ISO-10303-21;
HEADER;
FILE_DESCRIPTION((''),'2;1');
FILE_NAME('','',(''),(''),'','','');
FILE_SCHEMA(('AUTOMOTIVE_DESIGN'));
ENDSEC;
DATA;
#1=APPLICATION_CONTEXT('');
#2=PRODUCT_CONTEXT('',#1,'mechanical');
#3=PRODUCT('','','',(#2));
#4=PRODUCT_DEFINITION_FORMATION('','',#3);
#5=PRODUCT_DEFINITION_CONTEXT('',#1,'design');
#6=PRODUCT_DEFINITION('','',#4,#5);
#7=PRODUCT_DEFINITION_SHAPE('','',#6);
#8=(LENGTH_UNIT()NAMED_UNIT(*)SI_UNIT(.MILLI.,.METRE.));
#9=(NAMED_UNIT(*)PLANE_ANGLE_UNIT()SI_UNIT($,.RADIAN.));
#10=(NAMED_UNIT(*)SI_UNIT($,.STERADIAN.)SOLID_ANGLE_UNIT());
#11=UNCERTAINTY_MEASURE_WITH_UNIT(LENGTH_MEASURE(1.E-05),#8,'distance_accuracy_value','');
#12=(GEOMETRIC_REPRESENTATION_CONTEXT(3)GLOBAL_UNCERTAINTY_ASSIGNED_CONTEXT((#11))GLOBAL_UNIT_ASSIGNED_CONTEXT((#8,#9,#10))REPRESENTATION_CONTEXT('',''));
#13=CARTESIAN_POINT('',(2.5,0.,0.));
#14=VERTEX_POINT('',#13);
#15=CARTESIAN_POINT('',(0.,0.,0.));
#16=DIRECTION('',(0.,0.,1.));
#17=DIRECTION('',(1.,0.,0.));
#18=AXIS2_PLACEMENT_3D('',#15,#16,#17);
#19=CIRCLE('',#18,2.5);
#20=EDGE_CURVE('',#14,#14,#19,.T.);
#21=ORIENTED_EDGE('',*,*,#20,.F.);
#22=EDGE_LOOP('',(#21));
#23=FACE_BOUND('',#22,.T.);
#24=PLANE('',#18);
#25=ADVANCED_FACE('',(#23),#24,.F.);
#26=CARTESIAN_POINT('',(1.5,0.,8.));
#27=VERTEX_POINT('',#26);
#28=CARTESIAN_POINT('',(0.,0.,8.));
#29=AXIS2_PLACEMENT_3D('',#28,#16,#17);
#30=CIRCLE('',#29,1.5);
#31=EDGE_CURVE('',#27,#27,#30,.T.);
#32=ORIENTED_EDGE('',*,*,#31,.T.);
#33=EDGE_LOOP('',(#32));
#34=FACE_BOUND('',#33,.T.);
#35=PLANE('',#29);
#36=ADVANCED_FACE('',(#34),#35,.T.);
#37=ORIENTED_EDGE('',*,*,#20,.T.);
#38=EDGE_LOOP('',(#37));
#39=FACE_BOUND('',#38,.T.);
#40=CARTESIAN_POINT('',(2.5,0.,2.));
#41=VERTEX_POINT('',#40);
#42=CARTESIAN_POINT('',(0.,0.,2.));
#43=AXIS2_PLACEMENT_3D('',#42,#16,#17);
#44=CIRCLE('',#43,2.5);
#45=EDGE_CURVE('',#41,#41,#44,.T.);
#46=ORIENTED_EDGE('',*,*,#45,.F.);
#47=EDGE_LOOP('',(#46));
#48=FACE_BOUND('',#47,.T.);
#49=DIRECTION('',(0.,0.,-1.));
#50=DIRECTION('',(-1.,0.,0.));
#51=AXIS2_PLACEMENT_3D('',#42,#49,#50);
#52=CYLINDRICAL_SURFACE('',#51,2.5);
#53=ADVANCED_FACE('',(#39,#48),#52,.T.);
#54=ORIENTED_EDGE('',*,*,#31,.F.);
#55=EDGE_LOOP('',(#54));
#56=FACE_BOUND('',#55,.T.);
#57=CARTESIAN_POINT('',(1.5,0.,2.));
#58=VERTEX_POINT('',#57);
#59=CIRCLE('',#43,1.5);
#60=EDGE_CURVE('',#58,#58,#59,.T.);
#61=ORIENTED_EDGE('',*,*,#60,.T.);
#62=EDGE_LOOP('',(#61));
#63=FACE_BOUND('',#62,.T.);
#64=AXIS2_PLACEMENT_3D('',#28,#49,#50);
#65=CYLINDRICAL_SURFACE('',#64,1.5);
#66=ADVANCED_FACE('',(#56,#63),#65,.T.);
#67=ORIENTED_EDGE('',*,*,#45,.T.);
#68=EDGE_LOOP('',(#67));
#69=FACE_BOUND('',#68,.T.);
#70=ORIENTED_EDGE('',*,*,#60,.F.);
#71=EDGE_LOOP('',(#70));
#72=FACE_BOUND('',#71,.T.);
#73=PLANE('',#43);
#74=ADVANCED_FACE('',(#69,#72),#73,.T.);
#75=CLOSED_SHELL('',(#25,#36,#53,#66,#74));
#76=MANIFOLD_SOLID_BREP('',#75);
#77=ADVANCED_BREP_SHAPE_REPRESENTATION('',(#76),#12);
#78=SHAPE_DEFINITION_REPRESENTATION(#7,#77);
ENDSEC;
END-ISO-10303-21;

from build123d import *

# Parameters (mm, degrees)
SKETCH1_R           = 2.5
BOSS_EXTRUDE1_DEPTH = 2
SKETCH2_R           = 1.5
BOSS_EXTRUDE2_DEPTH = 6


with BuildPart() as part:
    # Sketch1 → Boss-Extrude1 (new body)
    with BuildSketch(Plane.XY):
        Circle(SKETCH1_R)
    extrude(amount=BOSS_EXTRUDE1_DEPTH)

    # Sketch2 → Boss-Extrude2 (add)
    with BuildSketch(Plane.XY.offset(2)):
        Circle(SKETCH2_R)
    extrude(amount=BOSS_EXTRUDE2_DEPTH)


solid = part.part
